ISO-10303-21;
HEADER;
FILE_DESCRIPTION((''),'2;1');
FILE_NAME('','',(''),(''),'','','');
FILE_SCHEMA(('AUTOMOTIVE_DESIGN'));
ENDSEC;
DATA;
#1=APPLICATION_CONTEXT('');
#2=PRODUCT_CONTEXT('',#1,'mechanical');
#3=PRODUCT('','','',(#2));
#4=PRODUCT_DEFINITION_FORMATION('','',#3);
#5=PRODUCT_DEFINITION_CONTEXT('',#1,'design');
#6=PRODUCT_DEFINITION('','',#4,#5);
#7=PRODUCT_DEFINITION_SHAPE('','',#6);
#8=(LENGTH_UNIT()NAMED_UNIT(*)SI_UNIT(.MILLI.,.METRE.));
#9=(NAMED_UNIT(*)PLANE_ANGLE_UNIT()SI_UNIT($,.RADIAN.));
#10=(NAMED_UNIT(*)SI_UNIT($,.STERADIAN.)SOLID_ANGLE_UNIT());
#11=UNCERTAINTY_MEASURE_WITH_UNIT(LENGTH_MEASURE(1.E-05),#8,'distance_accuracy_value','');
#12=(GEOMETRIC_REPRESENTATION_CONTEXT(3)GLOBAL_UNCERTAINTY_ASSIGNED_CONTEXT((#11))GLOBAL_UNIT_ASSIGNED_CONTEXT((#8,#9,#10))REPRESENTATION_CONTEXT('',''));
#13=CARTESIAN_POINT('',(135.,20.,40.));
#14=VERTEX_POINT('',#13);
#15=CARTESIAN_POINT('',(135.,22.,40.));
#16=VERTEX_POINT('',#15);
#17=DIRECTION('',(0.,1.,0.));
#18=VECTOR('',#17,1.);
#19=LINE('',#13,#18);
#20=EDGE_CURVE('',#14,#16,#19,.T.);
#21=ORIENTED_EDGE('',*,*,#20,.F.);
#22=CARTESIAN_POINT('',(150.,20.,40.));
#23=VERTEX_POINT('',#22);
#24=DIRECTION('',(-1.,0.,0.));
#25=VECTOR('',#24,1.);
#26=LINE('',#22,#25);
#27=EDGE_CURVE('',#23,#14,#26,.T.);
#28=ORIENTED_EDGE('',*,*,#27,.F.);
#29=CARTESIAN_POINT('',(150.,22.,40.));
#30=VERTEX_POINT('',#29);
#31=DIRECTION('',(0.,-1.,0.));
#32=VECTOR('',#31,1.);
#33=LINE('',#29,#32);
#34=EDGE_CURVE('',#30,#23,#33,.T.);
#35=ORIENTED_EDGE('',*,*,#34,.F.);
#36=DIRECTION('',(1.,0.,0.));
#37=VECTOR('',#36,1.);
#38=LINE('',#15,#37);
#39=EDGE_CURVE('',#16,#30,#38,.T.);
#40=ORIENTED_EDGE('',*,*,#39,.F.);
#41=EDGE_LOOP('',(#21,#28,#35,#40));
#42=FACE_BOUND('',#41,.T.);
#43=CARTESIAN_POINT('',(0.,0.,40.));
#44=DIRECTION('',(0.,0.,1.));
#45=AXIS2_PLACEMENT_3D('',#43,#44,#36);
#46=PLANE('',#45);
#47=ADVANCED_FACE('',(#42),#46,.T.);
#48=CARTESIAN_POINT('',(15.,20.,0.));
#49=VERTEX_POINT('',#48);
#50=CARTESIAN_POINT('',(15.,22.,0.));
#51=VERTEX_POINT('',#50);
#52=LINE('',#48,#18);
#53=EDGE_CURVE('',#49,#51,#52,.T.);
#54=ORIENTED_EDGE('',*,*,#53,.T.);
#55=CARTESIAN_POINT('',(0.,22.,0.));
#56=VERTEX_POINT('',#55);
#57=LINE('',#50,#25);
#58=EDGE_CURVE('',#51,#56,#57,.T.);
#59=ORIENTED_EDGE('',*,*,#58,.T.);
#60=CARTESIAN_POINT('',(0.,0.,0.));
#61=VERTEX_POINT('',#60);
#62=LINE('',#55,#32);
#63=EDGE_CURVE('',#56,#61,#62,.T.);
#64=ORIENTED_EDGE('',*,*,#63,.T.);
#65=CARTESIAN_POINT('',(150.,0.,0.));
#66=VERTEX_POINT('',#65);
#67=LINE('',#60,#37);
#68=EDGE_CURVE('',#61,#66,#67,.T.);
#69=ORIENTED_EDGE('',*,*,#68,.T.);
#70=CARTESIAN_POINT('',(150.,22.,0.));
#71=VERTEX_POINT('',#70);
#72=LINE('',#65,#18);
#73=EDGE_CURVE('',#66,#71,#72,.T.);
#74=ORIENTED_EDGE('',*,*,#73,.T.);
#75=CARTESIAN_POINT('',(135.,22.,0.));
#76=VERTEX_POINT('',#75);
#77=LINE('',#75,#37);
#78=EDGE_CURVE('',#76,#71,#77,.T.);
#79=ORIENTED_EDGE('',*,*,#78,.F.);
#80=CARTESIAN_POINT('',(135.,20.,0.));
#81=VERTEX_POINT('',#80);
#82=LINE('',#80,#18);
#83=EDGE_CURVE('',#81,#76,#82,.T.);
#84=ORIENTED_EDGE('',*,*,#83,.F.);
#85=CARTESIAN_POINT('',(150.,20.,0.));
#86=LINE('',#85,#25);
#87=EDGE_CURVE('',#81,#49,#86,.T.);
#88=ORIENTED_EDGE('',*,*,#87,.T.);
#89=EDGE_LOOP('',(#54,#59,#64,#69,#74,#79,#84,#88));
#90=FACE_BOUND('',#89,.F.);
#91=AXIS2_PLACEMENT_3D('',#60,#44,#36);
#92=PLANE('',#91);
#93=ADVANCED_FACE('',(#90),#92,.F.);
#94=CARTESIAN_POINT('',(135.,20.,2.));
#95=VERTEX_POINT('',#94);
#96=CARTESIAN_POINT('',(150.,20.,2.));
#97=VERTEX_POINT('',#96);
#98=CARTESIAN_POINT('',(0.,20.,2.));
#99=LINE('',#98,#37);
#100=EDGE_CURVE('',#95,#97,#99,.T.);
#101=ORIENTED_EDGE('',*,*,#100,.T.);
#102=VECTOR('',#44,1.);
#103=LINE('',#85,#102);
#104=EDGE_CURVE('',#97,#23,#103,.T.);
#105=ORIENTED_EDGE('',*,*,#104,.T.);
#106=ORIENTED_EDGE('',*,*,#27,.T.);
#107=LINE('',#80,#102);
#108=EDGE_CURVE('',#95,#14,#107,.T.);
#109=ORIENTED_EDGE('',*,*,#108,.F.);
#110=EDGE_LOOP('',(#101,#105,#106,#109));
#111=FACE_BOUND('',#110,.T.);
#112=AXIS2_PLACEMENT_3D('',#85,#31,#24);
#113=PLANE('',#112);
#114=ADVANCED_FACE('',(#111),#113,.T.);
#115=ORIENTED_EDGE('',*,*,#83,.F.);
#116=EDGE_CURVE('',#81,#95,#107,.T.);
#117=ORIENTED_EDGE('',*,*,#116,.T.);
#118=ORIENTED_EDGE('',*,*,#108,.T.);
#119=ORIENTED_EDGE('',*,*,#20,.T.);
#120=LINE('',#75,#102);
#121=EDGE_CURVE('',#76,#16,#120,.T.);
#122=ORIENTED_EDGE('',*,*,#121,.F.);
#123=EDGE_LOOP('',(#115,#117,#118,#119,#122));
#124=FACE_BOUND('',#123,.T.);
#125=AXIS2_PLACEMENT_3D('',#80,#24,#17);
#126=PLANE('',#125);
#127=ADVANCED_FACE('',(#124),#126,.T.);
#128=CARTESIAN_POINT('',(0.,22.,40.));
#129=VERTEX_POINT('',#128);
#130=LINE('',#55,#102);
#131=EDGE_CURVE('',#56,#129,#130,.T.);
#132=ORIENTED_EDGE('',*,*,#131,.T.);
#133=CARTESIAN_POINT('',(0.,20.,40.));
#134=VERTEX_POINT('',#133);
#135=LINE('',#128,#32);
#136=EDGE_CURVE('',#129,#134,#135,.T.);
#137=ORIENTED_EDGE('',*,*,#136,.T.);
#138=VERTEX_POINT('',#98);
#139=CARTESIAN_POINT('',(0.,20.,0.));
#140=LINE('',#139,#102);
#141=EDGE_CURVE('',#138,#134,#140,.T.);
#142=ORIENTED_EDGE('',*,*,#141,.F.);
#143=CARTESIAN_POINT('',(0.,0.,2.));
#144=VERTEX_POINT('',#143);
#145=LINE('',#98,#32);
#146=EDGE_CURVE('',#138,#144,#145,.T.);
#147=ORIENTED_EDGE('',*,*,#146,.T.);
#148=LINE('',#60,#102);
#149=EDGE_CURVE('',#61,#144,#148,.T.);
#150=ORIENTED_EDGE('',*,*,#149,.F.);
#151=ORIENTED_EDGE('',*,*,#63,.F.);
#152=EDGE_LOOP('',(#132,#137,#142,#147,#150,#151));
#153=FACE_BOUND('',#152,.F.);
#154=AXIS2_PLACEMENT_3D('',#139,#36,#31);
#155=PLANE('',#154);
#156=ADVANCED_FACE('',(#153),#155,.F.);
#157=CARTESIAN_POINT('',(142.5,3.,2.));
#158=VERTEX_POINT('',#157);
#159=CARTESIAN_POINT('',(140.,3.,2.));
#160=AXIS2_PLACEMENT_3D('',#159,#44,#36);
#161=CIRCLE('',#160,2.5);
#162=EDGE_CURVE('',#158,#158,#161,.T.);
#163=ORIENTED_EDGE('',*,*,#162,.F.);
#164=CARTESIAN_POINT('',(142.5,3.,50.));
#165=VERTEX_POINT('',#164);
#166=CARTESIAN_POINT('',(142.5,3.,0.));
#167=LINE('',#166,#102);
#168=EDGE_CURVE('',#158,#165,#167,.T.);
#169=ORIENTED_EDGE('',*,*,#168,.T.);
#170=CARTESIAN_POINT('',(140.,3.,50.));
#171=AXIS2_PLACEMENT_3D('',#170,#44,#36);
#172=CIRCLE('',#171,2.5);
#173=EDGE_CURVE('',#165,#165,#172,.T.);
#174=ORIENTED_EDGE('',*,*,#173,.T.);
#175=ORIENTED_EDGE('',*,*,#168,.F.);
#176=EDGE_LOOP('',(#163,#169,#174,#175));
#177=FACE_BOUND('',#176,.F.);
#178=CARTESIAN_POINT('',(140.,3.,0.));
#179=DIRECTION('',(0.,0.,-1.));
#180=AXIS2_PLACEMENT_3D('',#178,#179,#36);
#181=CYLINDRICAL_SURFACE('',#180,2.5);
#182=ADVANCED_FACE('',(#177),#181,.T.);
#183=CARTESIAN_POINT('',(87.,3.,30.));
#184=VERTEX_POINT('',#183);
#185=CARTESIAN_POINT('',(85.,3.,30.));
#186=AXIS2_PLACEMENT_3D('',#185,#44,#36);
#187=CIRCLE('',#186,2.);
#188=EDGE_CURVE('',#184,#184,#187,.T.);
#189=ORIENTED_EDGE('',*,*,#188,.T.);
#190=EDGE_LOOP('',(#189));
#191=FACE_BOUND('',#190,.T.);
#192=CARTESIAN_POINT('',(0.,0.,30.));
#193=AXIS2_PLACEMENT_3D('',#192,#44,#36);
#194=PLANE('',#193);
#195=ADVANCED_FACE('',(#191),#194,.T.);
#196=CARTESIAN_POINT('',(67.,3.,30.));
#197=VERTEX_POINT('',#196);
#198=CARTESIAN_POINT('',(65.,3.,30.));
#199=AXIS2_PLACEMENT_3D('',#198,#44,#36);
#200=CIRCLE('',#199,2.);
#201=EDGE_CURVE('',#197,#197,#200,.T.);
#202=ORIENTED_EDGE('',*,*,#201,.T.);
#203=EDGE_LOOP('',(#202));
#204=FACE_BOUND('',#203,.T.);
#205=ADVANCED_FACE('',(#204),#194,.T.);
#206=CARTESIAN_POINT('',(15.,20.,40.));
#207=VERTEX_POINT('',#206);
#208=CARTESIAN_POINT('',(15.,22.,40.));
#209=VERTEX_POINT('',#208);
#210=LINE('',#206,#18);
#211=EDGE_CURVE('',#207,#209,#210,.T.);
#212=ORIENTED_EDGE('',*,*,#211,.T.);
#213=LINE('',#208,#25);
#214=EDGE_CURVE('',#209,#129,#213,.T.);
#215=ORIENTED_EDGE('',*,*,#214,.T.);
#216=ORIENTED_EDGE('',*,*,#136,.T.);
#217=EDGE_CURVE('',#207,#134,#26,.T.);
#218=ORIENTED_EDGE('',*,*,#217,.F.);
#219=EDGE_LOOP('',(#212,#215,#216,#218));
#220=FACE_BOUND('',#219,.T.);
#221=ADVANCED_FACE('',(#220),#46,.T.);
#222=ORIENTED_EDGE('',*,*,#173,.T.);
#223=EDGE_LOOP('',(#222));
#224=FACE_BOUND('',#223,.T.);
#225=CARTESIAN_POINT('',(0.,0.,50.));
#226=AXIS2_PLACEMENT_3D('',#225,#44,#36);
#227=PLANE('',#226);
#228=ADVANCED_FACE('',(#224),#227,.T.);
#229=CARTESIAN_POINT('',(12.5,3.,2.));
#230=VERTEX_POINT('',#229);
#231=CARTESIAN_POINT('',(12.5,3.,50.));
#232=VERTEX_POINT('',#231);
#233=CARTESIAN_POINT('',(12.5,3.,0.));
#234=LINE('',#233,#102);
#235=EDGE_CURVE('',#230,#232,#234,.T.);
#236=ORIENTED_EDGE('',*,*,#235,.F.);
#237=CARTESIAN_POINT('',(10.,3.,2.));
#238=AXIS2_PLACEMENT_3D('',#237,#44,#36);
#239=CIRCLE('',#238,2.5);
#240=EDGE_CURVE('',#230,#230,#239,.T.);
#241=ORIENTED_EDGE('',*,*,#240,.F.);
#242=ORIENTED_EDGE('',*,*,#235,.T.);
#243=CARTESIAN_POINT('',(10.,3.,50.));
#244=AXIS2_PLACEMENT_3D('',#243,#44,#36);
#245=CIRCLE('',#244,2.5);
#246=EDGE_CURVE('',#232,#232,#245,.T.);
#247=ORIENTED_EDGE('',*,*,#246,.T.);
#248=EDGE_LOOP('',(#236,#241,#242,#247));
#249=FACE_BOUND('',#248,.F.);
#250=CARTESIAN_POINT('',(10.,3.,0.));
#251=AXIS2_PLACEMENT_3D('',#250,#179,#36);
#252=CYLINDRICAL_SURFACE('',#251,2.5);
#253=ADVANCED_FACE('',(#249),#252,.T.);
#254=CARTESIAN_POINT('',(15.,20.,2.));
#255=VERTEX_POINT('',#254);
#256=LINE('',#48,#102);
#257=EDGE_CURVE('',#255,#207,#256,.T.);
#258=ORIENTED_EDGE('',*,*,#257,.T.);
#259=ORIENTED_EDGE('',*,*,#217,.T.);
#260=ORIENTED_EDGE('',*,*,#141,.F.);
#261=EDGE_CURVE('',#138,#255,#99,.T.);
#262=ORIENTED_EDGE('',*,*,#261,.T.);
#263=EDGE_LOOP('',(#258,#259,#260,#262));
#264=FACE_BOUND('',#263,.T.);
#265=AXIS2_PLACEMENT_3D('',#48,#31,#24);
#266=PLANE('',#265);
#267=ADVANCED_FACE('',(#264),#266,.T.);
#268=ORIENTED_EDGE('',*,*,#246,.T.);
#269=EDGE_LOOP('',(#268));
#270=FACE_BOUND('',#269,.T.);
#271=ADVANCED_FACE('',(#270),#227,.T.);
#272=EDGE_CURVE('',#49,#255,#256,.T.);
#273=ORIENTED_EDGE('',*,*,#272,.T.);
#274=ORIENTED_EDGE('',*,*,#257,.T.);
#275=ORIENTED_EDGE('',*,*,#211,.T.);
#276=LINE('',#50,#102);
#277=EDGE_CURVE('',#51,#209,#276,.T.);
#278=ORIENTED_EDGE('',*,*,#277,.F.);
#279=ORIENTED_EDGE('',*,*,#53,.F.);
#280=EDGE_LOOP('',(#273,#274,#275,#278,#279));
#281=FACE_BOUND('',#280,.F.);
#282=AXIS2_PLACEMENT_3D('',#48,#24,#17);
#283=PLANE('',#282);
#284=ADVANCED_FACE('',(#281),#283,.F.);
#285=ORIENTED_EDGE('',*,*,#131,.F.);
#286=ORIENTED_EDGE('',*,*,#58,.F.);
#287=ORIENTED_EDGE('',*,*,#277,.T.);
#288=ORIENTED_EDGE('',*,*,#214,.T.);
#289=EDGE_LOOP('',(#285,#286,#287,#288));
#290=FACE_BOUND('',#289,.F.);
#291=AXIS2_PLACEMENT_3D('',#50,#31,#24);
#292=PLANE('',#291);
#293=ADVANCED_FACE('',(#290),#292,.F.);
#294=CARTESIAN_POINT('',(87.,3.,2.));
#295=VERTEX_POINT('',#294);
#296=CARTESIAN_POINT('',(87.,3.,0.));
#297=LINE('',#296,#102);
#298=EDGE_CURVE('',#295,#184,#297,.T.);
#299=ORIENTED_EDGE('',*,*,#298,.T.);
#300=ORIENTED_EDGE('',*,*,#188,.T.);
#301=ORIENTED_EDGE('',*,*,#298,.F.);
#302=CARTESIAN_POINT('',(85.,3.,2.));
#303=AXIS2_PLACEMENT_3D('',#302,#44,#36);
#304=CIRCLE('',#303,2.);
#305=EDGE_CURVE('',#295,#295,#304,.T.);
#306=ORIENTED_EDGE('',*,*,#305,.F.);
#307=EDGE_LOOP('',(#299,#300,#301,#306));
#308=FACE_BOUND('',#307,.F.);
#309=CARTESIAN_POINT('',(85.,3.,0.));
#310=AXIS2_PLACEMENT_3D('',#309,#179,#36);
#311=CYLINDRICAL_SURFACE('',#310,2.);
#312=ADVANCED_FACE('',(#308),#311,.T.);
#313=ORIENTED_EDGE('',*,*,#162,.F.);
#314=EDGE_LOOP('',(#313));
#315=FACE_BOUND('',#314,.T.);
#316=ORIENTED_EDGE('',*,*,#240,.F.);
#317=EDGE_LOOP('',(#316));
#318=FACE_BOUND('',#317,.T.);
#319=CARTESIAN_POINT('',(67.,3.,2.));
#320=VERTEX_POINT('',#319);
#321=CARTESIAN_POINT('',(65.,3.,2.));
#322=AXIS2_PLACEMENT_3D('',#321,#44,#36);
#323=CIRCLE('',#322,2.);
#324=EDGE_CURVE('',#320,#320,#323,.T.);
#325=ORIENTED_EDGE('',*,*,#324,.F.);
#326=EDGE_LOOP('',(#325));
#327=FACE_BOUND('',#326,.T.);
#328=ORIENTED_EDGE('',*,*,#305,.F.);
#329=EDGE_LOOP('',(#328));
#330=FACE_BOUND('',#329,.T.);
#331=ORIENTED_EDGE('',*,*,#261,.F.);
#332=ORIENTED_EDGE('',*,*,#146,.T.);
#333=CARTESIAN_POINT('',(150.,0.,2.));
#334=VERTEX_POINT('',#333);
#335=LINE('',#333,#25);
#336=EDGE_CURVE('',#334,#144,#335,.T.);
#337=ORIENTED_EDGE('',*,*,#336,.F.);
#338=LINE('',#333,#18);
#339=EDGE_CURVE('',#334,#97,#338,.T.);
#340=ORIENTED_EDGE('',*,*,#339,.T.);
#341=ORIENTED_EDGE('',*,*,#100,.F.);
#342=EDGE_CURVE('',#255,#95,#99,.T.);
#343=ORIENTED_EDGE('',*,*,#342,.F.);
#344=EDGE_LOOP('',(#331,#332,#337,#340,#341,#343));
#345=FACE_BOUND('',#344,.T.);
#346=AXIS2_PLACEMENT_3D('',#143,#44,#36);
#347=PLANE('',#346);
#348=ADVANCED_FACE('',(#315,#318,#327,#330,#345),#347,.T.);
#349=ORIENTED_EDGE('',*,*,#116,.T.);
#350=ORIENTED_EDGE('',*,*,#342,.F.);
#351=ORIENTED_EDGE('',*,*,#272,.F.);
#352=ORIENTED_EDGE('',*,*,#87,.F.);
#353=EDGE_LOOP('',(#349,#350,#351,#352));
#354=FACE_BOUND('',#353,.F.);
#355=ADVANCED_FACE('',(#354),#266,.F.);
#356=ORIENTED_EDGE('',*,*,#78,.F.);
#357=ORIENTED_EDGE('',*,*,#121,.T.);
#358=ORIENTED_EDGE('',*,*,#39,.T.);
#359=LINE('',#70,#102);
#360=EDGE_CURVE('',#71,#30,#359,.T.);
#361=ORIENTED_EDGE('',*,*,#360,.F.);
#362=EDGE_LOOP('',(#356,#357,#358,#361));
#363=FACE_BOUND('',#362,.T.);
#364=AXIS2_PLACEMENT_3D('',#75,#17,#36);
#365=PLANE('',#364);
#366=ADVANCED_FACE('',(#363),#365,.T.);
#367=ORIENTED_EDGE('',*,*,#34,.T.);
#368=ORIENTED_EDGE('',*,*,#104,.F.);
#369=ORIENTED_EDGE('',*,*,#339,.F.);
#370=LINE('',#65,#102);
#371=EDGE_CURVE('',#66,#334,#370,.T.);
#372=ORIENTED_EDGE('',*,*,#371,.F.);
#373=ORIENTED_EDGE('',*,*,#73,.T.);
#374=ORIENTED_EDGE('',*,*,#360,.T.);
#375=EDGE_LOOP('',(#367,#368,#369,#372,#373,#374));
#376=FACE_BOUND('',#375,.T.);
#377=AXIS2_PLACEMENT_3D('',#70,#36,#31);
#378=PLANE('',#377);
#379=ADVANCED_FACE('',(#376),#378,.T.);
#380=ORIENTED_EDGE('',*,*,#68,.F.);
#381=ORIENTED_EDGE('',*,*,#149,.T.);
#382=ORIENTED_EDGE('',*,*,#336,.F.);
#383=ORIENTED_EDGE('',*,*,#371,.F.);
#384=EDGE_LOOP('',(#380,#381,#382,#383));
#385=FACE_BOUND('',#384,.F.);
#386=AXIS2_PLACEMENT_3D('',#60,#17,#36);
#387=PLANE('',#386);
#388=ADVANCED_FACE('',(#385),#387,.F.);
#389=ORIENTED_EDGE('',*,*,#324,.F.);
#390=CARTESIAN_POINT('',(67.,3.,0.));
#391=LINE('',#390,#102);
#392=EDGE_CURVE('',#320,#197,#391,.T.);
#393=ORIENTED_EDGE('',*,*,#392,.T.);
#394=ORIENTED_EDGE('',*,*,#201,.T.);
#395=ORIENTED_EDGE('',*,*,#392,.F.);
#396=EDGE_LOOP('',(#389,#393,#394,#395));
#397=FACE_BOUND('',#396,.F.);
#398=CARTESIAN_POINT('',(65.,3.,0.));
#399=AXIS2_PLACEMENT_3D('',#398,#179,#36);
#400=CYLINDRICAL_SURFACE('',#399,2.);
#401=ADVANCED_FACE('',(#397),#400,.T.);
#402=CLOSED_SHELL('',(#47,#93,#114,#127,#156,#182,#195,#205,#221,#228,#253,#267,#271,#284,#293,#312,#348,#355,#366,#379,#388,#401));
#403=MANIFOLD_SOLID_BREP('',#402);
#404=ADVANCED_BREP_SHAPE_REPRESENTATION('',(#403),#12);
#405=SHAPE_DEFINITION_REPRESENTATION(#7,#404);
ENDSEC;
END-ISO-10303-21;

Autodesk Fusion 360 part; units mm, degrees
sketch "Esquisse1" plane through (0, 0, 0) normal (0, 0, 1) x (1, 0, 0)
  line L0 (0, 0) -> (150, 0)
  line L1 (150, 0) -> (150, 20)
  line L2 (150, 20) -> (0, 20)
  line L3 (0, 20) -> (0, 0)
  line L4 (0, 20) -> (15, 20)
  line L5 (15, 20) -> (15, 22)
  line L6 (15, 22) -> (0, 22)
  line L7 (0, 22) -> (0, 20)
  line L8 (150, 20) -> (135, 20)
  line L9 (135, 20) -> (135, 22)
  line L10 (135, 22) -> (150, 22)
  line L11 (150, 22) -> (150, 20)
  line L12 (75, 0) -> (75, 20)
  circle A0 centre (10, 3) radius 2.5
  circle A1 centre (140, 3) radius 2.5
  circle A2 centre (85, 3) radius 2
  circle A3 centre (65, 3) radius 2
  dimension "d13" = 150
  dimension "d14" = 20
  dimension "d15" = 5
  dimension "d16" = 5
  dimension "d17" = 4
  dimension "d18" = 4
  dimension "d19" = 10
  dimension "d20" = 10
  dimension "d21" = 10
  dimension "d22" = 10
  dimension "d23" = 3
  dimension "d24" = 3
  dimension "d25" = 3
  dimension "d26" = 3
  dimension "d27" = 2
  dimension "d28" = 15
  dimension "d29" = 15
  dimension "d30" = 2
extrude "Extrusion1" add sketch "Esquisse1" along normal blind 40 contours L2 L4 L5 L6 L7 | L2 L8 L9 L10 L11 makes body 1 at (145, 20, 26.6667) makes body 2 at (10, 22, 26.6667)
extrude "Extrusion2" add sketch "Esquisse1" along normal blind 50 separate body contours A0 | A1 makes body 3 at (12.4876, 2.7511, 16.6667) makes body 4 at (140.6771, 5.4066, 33.3333)
extrude "Extrusion3" add sketch "Esquisse1" along normal blind 30 separate body contours A2 | A3 makes body 5 at (66.3234, 4.4996, 20) makes body 6 at (83.6035, 4.4317, 20)
extrude "Extrusion4" add sketch "Esquisse1" along normal blind 2 contours L0 L2 L3 L4 L12 | L0 L1 L2 L8 L12 bodies 1 2 3 4 5 6
equation "longueur_totale = 150 mm"
equation "largeur_totale = 20 mm"
equation "hauteur_base = 2 mm"
equation "hauteur_plaque_maintien = 40 mm"
equation "hauteur_tube_ext = 50 mm"
equation "hauteur_tube_int = 30 mm"
equation "rayon_tube_ext = 5 mm"
equation "rayon_tube_int = 4 mm"
equation "longueur_plaque_maintien = 15 mm"
equation "largeur_plaque_maintien = 2 mm"
equation "ecart_tube_ext_extérieur = 10 mm"
equation "ecart_tube_int_centre = 10 mm"
equation "d13 = longueur_totale"
equation "d14 = largeur_totale"
equation "d15 = rayon_tube_ext"
equation "d16 = rayon_tube_ext"
equation "d17 = rayon_tube_int"
equation "d18 = rayon_tube_int"
equation "d19 = ecart_tube_ext_extérieur"
equation "d20 = ecart_tube_ext_extérieur"
equation "d21 = ecart_tube_int_centre"
equation "d22 = ecart_tube_int_centre"
equation "d24 = d23"
equation "d25 = d23"
equation "d26 = d23"
equation "d27 = largeur_plaque_maintien"
equation "d28 = longueur_plaque_maintien"
equation "d29 = longueur_plaque_maintien"
equation "d30 = largeur_plaque_maintien"
equation "d31 = hauteur_plaque_maintien"
equation "d33 = hauteur_tube_ext"
equation "d35 = hauteur_tube_int"
equation "d37 = hauteur_base"
